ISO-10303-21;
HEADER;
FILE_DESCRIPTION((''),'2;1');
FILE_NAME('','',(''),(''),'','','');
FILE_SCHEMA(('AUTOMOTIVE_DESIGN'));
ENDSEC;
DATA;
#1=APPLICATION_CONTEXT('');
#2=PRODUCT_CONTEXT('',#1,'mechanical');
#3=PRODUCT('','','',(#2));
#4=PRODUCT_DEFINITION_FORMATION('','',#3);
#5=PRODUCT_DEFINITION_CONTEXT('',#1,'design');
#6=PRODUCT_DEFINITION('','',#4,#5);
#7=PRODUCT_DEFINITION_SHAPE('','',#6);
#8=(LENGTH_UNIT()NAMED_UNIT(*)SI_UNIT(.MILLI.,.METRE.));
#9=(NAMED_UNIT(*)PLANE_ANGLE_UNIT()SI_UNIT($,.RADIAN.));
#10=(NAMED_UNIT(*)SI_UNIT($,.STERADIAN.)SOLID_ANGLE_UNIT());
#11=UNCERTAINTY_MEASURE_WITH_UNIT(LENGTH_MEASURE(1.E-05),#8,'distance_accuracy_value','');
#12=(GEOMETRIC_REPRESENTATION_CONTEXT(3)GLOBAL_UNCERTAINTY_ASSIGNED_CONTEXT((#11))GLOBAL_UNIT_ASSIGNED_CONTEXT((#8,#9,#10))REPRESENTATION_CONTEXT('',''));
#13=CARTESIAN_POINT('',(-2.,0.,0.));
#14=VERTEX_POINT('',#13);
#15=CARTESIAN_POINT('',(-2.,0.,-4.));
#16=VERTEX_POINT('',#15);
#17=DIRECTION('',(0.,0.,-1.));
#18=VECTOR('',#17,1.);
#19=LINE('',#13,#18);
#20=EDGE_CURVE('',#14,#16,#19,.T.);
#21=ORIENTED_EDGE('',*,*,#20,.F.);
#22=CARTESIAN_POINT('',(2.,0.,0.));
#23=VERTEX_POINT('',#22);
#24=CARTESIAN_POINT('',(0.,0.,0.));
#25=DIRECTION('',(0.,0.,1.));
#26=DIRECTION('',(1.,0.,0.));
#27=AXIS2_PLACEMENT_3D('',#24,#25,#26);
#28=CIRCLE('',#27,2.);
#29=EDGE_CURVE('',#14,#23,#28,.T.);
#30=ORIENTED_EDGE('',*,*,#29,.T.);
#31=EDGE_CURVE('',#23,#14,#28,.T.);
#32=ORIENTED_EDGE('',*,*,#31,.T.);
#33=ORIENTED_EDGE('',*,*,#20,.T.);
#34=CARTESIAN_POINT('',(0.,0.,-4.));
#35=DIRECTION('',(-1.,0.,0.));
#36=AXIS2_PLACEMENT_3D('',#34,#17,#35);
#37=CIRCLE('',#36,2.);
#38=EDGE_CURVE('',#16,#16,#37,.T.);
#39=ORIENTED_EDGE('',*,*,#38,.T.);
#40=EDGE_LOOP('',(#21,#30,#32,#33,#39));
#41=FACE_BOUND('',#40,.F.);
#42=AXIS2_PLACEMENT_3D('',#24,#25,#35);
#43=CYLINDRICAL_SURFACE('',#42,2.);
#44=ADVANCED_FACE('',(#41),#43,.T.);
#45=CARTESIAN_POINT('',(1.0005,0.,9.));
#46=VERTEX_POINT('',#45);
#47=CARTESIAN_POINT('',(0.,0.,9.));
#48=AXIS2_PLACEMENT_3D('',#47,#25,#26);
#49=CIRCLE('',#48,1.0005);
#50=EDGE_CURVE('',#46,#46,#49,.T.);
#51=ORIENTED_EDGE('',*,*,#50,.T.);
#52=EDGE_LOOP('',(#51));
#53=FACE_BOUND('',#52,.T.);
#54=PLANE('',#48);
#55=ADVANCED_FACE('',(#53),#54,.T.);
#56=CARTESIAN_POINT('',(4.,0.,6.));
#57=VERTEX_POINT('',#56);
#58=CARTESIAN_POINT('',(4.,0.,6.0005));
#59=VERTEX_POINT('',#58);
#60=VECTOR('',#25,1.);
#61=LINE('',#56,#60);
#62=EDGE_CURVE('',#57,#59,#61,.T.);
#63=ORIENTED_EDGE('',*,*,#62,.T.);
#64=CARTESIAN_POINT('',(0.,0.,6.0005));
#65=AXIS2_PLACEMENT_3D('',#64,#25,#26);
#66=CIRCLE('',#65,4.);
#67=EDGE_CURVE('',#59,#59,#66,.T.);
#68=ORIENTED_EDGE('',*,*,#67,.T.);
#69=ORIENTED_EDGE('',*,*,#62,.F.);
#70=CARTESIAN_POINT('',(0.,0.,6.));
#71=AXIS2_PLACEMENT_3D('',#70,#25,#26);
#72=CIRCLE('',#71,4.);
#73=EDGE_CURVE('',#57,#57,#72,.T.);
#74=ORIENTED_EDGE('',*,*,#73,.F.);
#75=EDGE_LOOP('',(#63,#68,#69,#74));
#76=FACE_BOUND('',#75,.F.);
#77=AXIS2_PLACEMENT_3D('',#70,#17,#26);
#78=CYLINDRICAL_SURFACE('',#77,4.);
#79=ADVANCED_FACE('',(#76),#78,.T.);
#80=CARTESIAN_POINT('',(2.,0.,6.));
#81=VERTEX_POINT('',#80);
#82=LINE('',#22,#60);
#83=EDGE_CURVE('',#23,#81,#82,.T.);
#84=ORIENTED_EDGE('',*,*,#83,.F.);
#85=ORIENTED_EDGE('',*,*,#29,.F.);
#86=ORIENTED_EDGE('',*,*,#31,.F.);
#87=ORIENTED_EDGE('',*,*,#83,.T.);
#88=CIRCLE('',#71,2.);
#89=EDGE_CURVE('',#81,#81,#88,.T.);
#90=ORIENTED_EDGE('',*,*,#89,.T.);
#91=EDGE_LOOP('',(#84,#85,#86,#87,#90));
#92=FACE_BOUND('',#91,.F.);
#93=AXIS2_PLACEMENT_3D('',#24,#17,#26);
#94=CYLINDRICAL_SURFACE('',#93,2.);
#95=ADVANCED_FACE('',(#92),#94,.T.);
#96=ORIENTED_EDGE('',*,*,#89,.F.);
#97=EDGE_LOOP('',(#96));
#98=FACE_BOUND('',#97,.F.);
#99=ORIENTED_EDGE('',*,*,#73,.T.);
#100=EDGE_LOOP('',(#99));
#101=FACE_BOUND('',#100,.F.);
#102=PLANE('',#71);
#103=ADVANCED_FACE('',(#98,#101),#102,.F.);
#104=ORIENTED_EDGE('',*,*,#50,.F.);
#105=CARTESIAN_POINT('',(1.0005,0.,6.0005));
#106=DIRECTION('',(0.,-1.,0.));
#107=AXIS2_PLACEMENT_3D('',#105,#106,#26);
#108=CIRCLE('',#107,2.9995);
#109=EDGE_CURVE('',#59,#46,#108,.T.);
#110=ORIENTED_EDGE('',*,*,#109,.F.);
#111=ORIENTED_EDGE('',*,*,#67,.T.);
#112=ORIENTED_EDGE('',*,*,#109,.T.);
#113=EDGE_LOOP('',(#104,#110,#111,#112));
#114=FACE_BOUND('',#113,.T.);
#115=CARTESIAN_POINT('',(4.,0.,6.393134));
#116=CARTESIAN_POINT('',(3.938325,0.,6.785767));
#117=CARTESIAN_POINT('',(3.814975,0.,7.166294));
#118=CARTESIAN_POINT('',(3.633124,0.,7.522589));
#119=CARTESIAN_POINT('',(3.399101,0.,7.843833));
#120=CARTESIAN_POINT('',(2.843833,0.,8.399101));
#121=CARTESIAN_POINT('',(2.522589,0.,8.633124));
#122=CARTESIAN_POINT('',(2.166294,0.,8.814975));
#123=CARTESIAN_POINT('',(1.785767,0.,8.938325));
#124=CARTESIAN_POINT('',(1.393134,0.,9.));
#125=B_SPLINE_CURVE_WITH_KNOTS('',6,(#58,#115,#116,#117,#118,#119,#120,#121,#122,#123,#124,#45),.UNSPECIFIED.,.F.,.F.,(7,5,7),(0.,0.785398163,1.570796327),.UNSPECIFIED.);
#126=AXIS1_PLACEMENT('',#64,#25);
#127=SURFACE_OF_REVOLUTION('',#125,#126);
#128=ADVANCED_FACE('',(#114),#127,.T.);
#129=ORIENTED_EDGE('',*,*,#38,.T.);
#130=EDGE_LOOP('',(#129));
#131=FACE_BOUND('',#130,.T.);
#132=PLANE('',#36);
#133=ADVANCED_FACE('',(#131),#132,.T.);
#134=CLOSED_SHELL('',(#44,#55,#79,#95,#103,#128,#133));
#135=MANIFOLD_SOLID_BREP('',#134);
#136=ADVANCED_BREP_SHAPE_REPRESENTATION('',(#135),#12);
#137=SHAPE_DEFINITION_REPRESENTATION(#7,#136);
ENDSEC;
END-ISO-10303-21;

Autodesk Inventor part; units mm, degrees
ref_plane "YZ Plane" through (0, 0, 0) normal (1, 0, 0) x (0, 1, 0)
ref_plane "XZ Plane" through (0, 0, 0) normal (0, 1, 0) x (-1, 0, 0)
ref_plane "XY Plane" through (0, 0, 0) normal (0, 0, 1) x (1, 0, 0)
sketch "スケッチ1" plane through (0, 0, 0) normal (0, 0, 1) x (1, 0, 0)
  circle A0 centre (0, 0) radius 2
  dimension "d0" = 4
extrude "押し出し1" add sketch "スケッチ1" along normal blind 6
sketch "スケッチ2" plane through (0, 0, 6) normal (0, 0, 1) x (1, 0, 0)
  circle A0 centre (0, 0) radius 2 projected
  circle A1 centre (0, 0) radius 4
  dimension "d3" = 8
extrude "押し出し2" add sketch "スケッチ2" along normal blind 3 contours A0 | A1
fillet "フィレット1" radius 3 1 edges at (-4, 0, 9)
thread "ねじ1" size "M4x0.7" class "6g" standard "ANSI Metric M Profile" full length
sketch "スケッチ3" plane through (0, 0, 0) normal (0, 0, -1) x (-1, 0, 0)
  circle A0 centre (0, 0) radius 2
extrude "押し出し3" add sketch "スケッチ3" along normal blind 4
properties part number "SB　M4 10mm なべネジ" material "Stainless Steel, 440C"
